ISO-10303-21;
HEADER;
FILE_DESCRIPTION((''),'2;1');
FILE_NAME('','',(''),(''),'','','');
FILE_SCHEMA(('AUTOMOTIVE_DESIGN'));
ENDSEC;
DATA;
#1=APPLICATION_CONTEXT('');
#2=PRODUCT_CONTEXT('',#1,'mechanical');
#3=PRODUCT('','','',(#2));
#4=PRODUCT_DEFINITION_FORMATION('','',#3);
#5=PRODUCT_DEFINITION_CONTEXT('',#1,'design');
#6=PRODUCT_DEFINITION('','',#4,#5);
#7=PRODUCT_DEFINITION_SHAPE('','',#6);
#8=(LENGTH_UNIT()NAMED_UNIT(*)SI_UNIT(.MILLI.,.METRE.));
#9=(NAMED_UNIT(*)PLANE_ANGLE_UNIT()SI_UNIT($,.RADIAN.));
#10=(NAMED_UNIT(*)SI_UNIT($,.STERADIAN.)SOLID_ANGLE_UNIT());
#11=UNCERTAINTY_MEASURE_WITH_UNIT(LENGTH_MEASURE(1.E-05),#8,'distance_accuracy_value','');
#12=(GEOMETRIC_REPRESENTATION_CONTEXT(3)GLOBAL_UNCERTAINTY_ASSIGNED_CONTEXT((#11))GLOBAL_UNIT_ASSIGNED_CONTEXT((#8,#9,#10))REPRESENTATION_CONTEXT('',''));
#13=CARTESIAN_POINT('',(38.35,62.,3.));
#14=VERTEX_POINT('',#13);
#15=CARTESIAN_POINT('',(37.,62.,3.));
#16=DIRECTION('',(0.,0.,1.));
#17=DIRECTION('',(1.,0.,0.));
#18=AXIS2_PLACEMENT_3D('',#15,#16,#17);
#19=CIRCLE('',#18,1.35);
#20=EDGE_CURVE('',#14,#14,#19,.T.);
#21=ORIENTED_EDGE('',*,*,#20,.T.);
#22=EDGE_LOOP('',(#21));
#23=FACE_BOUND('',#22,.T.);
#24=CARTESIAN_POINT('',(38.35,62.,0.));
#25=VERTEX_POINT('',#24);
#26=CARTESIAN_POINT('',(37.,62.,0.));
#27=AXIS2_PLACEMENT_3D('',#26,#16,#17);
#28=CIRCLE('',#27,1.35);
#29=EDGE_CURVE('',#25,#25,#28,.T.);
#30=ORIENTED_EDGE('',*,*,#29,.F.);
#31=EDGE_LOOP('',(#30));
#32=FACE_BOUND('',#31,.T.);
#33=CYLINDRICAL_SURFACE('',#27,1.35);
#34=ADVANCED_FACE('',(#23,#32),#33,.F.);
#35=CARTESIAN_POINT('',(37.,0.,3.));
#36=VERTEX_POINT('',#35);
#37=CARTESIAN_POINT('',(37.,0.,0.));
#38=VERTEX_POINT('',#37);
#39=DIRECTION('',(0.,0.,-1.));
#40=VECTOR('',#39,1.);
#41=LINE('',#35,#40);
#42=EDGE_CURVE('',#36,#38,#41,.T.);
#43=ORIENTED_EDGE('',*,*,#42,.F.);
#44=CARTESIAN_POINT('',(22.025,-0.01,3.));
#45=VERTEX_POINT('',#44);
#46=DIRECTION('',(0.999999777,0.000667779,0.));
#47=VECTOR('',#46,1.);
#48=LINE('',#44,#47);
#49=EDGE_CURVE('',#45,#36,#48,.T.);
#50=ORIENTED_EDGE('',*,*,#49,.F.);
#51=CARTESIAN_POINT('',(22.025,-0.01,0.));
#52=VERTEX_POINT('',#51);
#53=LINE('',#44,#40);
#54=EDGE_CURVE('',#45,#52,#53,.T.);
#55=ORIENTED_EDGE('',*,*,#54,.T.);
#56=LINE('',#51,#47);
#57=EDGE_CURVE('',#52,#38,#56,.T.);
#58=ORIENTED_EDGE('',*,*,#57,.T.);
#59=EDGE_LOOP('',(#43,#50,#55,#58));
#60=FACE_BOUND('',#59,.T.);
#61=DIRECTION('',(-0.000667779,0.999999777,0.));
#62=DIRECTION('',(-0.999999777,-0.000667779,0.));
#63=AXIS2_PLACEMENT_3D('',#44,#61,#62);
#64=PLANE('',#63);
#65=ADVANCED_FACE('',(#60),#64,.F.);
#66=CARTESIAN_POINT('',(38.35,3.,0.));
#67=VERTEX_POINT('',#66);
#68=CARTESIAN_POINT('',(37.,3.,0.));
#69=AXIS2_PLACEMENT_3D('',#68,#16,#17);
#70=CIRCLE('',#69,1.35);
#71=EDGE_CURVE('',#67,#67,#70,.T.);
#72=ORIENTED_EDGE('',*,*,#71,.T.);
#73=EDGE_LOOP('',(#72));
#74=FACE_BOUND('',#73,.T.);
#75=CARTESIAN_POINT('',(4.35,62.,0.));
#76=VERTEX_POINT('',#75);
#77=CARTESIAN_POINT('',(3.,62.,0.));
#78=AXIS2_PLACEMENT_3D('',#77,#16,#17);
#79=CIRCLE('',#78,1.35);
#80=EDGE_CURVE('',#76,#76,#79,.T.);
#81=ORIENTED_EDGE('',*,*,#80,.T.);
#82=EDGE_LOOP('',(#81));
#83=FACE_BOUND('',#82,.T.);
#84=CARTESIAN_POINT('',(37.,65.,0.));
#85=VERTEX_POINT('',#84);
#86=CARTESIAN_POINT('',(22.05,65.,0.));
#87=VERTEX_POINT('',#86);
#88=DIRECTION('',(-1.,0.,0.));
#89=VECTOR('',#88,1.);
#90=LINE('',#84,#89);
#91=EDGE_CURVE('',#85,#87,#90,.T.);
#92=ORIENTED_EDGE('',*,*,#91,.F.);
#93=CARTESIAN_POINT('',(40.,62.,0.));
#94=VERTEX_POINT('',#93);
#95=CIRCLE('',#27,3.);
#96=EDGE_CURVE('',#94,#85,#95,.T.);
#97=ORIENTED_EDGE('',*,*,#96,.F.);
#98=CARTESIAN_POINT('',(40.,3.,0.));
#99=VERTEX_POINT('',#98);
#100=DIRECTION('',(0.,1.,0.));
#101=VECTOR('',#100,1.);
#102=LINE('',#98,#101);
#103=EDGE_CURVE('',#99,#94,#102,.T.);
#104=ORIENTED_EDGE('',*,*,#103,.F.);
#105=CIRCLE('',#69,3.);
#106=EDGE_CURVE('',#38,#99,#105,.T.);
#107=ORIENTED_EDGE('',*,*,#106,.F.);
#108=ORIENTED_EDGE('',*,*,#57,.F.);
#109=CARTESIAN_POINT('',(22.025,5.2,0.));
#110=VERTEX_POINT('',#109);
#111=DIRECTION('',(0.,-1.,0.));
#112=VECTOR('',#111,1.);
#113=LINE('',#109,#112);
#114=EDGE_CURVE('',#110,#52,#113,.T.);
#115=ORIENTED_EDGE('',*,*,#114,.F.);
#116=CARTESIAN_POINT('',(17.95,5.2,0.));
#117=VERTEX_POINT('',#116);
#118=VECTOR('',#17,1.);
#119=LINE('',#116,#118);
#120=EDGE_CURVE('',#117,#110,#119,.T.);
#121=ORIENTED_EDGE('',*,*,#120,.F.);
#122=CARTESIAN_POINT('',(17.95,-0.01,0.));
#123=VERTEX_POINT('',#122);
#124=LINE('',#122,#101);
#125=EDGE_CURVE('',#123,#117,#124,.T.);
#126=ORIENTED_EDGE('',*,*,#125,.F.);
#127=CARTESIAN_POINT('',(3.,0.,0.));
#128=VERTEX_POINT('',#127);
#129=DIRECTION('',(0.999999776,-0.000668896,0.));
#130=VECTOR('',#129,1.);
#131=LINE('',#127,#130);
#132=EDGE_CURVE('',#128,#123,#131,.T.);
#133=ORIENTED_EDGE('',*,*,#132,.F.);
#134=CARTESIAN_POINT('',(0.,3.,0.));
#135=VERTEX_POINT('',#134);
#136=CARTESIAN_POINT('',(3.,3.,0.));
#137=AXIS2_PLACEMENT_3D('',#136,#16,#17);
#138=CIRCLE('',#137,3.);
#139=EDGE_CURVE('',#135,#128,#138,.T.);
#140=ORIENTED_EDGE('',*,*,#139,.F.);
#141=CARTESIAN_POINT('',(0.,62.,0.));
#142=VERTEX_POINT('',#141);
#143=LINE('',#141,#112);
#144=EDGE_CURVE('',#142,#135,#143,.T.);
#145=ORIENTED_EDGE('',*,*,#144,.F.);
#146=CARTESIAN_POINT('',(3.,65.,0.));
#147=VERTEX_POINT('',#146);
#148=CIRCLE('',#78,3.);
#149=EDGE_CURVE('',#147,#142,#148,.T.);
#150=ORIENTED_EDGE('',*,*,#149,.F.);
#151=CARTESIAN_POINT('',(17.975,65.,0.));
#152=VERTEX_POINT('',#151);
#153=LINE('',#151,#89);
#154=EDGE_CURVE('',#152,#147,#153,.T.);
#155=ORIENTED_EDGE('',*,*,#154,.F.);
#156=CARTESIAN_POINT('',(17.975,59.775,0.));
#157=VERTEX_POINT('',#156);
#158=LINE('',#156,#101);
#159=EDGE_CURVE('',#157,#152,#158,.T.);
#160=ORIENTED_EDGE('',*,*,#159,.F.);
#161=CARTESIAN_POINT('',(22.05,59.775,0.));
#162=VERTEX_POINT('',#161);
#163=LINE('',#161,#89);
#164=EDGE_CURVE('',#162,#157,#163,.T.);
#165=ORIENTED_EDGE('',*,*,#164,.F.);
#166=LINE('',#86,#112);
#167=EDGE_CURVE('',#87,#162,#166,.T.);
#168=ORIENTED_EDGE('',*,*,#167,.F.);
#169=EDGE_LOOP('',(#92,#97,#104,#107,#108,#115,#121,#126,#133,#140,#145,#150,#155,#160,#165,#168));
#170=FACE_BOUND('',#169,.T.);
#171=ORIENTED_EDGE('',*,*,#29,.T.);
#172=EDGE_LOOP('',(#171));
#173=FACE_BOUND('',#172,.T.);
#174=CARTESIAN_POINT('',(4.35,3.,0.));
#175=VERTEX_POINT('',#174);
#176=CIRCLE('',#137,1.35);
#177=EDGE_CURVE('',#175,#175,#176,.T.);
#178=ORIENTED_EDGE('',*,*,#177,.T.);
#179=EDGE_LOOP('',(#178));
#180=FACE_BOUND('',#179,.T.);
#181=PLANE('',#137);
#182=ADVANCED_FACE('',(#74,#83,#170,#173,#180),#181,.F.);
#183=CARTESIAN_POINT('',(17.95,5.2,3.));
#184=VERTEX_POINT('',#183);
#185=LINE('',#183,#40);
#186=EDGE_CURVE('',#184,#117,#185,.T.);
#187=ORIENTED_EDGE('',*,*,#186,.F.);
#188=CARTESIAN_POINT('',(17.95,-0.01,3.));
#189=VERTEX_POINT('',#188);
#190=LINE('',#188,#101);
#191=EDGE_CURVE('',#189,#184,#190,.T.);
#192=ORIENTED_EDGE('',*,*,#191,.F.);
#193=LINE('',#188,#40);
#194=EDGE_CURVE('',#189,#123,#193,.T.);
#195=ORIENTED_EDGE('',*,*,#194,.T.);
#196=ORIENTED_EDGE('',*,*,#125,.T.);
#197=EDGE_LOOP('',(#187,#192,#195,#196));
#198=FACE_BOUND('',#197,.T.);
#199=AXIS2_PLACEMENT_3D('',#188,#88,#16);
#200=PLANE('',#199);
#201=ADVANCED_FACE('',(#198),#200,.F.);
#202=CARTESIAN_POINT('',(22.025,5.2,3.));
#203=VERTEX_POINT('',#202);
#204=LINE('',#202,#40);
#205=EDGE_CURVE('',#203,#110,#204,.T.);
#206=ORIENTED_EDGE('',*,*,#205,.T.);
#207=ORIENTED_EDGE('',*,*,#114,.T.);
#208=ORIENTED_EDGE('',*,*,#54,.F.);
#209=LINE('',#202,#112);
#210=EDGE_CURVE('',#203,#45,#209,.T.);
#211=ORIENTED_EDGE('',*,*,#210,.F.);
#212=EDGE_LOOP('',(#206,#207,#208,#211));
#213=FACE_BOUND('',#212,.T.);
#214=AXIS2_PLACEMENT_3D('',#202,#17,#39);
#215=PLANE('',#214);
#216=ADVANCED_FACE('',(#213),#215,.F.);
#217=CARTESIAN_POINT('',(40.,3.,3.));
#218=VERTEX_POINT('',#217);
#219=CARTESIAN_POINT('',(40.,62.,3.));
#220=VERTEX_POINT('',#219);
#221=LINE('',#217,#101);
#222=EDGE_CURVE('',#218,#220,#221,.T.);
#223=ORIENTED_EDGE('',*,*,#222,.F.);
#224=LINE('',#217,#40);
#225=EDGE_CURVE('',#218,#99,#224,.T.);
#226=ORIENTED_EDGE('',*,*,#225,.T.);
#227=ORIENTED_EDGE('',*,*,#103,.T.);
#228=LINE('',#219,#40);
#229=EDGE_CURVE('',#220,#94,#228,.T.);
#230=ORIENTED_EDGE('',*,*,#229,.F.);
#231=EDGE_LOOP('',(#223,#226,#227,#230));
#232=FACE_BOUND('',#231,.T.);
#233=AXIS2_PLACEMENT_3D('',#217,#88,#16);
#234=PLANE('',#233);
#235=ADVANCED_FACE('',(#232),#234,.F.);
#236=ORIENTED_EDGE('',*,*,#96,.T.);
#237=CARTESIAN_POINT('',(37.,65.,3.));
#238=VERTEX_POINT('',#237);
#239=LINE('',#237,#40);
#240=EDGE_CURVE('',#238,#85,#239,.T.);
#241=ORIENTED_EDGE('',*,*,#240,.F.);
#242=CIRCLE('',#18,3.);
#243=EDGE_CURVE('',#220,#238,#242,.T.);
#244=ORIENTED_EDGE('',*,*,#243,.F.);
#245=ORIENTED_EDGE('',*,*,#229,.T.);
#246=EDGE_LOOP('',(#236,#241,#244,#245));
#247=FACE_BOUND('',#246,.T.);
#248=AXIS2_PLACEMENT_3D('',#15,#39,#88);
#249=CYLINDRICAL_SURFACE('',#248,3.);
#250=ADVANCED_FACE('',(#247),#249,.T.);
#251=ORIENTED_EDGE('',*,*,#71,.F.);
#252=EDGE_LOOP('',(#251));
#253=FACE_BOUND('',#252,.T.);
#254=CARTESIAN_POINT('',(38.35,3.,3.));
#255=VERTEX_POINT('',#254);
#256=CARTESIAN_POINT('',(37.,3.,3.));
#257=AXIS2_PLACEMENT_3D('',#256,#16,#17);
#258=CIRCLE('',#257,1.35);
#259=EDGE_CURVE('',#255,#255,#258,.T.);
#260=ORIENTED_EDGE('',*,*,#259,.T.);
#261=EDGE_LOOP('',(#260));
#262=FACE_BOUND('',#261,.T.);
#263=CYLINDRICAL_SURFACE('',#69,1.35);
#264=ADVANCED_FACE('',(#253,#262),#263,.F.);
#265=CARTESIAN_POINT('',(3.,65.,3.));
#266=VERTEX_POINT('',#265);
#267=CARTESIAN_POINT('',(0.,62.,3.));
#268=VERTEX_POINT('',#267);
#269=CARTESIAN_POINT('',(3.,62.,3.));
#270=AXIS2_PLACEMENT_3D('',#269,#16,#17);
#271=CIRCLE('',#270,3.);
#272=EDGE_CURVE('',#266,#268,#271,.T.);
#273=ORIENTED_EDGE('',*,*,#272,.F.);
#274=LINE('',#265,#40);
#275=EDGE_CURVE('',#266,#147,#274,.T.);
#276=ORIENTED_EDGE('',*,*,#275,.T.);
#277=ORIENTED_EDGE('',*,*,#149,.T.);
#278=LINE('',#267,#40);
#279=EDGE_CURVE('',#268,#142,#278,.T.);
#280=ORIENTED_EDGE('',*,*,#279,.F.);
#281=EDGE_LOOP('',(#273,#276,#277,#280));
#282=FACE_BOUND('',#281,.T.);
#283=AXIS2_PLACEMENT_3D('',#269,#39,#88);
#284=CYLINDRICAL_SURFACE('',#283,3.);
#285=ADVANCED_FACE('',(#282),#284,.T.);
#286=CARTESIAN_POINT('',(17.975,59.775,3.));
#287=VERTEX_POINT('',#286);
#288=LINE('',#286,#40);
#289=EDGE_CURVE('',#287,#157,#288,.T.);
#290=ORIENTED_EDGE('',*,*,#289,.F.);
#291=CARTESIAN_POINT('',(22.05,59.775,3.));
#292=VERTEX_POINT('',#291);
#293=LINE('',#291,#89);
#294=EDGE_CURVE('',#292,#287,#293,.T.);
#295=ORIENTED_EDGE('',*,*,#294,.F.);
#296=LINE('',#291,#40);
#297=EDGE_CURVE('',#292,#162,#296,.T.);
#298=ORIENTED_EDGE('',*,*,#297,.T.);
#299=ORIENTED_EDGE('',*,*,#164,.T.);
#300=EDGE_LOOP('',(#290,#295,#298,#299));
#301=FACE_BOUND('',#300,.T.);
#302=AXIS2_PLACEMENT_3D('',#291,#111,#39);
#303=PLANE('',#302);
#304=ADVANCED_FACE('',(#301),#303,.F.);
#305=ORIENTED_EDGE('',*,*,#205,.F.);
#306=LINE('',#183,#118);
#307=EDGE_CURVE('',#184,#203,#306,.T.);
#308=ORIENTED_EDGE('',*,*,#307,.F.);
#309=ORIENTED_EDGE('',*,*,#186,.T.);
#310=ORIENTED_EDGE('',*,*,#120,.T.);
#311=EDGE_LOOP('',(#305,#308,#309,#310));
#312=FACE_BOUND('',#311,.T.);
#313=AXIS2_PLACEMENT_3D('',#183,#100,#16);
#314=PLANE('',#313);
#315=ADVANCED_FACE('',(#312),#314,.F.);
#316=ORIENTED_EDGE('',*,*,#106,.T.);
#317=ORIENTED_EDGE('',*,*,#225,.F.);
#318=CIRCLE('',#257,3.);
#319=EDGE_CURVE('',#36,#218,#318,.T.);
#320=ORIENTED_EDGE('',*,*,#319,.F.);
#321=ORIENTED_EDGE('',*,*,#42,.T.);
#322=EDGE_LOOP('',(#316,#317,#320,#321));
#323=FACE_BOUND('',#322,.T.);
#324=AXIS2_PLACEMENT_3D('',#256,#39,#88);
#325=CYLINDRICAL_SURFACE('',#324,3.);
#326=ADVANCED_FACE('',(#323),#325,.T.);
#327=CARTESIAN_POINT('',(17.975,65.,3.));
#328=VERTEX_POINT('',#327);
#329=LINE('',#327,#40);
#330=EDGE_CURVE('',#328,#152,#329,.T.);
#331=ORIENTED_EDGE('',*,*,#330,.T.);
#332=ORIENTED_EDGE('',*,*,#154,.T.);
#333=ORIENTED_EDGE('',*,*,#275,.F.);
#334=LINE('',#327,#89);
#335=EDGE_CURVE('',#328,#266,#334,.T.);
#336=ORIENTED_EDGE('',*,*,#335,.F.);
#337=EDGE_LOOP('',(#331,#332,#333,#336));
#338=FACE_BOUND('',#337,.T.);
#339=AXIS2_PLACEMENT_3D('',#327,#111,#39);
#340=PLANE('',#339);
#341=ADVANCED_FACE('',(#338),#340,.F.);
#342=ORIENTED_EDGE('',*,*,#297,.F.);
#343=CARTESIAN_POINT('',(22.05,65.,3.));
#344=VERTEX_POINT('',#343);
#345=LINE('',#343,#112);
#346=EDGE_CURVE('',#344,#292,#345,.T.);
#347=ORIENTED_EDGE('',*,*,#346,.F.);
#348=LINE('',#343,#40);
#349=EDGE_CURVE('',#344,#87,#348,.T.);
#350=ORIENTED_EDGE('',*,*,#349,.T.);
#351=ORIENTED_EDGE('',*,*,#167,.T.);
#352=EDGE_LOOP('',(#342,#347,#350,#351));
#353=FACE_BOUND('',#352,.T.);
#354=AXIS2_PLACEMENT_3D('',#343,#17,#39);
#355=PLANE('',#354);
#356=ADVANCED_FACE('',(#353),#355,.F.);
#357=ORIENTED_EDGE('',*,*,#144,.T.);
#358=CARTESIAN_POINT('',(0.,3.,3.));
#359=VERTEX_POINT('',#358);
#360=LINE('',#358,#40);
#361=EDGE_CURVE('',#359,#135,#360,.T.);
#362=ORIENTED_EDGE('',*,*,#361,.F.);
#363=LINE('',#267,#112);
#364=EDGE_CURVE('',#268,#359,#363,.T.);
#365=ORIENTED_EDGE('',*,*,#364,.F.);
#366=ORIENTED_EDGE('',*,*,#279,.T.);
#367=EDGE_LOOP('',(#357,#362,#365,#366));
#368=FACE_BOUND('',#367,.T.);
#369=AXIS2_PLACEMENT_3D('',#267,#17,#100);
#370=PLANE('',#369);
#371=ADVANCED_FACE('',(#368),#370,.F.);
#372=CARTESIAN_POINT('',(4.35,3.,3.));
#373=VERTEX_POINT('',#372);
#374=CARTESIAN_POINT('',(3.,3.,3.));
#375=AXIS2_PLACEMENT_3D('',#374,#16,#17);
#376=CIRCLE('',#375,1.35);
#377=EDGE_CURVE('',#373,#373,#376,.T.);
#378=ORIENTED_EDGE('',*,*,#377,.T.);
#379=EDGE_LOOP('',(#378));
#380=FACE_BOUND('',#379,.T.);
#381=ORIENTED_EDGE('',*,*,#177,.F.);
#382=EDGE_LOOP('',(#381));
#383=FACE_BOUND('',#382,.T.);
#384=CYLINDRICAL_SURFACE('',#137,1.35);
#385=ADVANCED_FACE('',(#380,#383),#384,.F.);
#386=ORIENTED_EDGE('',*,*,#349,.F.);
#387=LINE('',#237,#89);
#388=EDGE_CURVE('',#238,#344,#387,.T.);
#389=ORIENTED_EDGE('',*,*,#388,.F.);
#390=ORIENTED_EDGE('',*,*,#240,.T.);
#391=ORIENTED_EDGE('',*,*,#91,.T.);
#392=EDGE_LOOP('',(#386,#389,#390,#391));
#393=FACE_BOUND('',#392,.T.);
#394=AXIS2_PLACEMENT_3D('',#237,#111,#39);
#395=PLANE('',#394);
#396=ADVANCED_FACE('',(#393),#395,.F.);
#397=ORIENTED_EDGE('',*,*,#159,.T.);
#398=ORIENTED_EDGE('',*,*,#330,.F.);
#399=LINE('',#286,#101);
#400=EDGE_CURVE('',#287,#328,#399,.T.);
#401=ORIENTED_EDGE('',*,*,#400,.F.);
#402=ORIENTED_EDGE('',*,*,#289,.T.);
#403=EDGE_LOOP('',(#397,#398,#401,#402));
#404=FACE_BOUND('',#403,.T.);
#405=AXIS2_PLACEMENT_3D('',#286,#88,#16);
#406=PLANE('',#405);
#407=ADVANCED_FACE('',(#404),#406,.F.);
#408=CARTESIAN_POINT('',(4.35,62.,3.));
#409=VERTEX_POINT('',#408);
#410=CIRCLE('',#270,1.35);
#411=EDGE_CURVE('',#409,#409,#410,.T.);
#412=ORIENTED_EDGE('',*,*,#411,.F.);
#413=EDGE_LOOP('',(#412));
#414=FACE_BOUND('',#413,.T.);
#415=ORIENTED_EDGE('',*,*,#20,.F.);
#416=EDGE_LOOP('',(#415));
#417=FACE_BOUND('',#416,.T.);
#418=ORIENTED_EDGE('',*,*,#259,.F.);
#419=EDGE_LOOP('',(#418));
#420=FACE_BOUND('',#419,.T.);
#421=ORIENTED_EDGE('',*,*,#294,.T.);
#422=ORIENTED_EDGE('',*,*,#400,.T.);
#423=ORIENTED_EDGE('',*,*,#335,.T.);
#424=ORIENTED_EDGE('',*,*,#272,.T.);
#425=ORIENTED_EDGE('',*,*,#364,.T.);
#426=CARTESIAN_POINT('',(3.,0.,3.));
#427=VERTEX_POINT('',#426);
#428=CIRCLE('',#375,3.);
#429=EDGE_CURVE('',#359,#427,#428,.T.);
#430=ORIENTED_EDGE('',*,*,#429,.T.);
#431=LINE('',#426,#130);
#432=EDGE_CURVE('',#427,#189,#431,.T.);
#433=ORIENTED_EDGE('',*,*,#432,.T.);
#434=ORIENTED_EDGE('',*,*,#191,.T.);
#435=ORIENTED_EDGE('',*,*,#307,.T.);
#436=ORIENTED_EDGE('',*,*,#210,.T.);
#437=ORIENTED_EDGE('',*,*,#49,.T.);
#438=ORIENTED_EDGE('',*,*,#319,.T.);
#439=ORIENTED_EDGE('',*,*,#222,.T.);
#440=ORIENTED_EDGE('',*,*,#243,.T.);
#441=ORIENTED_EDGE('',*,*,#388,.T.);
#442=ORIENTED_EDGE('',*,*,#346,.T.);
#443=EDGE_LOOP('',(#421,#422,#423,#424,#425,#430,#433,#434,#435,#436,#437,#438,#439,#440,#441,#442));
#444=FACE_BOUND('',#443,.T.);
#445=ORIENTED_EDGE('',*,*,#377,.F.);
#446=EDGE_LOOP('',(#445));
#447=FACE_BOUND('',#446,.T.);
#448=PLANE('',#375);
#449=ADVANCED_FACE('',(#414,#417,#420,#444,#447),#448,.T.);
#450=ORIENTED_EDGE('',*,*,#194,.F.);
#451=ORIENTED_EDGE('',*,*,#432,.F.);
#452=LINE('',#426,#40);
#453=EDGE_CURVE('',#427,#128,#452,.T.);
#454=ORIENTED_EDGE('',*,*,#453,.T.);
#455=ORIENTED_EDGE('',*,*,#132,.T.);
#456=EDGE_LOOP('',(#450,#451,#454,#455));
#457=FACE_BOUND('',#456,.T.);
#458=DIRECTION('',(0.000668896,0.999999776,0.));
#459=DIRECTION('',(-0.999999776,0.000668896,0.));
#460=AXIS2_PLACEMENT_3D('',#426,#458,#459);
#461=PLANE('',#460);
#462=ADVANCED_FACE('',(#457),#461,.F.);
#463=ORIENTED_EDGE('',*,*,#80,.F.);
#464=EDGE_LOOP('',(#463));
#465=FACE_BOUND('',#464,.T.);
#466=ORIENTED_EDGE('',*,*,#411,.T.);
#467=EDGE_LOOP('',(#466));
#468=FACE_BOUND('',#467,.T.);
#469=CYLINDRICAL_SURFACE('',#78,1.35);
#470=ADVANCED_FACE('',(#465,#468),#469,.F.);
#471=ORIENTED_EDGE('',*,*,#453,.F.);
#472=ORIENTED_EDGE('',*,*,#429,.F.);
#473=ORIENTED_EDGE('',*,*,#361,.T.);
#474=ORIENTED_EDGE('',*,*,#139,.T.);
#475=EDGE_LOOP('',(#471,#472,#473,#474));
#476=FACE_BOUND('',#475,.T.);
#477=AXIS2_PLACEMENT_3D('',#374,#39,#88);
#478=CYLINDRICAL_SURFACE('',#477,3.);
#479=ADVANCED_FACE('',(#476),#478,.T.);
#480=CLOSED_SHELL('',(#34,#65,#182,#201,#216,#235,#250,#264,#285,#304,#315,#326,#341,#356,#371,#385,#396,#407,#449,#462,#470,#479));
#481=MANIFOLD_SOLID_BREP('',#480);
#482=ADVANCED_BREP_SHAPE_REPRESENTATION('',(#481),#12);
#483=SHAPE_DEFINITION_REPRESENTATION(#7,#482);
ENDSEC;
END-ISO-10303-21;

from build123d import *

# Parameters (mm, degrees)
BOSS_EXTRUDE1_DEPTH = 3
SKETCH2_R           = 1.35
CUT_EXTRUDE1_DEPTH  = 77.380625816


with BuildPart() as part:
    # Sketch1 → Boss-Extrude1 (new body)
    with BuildSketch(Plane.XY):
        with BuildLine():
            Line((3, 0), (17.95, -0.01))
            Line((17.95, -0.01), (17.95, 5.2))
            Line((17.95, 5.2), (22.025, 5.2))
            Line((22.025, 5.2), (22.025, -0.01))
            Line((22.025, -0.01), (37, 0))
            ThreePointArc((37, 0), (39.121320344, 0.878679656), (40, 3))
            Line((40, 3), (40, 62))
            ThreePointArc((40, 62), (39.121320344, 64.121320344), (37, 65))
            Line((37, 65), (22.05, 65))
            Line((22.05, 65), (22.05, 59.775))
            Line((22.05, 59.775), (17.975, 59.775))
            Line((17.975, 59.775), (17.975, 65))
            Line((17.975, 65), (3, 65))
            ThreePointArc((3, 65), (0.878679656, 64.121320344), (0, 62))
            Line((0, 62), (0, 3))
            ThreePointArc((0, 3), (0.878679656, 0.878679656), (3, 0))
        make_face()
    extrude(amount=BOSS_EXTRUDE1_DEPTH)

    # Sketch2 → Cut-Extrude1 (cut, through all)
    with BuildSketch(Plane.XY.offset(3)):
        with Locations((3, 3)):
            Circle(SKETCH2_R)
        with Locations((37, 3)):
            Circle(SKETCH2_R)
        with Locations((37, 62)):
            Circle(SKETCH2_R)
        with Locations((3, 62)):
            Circle(SKETCH2_R)
    extrude(amount=-CUT_EXTRUDE1_DEPTH, mode=Mode.SUBTRACT)


solid = part.part
